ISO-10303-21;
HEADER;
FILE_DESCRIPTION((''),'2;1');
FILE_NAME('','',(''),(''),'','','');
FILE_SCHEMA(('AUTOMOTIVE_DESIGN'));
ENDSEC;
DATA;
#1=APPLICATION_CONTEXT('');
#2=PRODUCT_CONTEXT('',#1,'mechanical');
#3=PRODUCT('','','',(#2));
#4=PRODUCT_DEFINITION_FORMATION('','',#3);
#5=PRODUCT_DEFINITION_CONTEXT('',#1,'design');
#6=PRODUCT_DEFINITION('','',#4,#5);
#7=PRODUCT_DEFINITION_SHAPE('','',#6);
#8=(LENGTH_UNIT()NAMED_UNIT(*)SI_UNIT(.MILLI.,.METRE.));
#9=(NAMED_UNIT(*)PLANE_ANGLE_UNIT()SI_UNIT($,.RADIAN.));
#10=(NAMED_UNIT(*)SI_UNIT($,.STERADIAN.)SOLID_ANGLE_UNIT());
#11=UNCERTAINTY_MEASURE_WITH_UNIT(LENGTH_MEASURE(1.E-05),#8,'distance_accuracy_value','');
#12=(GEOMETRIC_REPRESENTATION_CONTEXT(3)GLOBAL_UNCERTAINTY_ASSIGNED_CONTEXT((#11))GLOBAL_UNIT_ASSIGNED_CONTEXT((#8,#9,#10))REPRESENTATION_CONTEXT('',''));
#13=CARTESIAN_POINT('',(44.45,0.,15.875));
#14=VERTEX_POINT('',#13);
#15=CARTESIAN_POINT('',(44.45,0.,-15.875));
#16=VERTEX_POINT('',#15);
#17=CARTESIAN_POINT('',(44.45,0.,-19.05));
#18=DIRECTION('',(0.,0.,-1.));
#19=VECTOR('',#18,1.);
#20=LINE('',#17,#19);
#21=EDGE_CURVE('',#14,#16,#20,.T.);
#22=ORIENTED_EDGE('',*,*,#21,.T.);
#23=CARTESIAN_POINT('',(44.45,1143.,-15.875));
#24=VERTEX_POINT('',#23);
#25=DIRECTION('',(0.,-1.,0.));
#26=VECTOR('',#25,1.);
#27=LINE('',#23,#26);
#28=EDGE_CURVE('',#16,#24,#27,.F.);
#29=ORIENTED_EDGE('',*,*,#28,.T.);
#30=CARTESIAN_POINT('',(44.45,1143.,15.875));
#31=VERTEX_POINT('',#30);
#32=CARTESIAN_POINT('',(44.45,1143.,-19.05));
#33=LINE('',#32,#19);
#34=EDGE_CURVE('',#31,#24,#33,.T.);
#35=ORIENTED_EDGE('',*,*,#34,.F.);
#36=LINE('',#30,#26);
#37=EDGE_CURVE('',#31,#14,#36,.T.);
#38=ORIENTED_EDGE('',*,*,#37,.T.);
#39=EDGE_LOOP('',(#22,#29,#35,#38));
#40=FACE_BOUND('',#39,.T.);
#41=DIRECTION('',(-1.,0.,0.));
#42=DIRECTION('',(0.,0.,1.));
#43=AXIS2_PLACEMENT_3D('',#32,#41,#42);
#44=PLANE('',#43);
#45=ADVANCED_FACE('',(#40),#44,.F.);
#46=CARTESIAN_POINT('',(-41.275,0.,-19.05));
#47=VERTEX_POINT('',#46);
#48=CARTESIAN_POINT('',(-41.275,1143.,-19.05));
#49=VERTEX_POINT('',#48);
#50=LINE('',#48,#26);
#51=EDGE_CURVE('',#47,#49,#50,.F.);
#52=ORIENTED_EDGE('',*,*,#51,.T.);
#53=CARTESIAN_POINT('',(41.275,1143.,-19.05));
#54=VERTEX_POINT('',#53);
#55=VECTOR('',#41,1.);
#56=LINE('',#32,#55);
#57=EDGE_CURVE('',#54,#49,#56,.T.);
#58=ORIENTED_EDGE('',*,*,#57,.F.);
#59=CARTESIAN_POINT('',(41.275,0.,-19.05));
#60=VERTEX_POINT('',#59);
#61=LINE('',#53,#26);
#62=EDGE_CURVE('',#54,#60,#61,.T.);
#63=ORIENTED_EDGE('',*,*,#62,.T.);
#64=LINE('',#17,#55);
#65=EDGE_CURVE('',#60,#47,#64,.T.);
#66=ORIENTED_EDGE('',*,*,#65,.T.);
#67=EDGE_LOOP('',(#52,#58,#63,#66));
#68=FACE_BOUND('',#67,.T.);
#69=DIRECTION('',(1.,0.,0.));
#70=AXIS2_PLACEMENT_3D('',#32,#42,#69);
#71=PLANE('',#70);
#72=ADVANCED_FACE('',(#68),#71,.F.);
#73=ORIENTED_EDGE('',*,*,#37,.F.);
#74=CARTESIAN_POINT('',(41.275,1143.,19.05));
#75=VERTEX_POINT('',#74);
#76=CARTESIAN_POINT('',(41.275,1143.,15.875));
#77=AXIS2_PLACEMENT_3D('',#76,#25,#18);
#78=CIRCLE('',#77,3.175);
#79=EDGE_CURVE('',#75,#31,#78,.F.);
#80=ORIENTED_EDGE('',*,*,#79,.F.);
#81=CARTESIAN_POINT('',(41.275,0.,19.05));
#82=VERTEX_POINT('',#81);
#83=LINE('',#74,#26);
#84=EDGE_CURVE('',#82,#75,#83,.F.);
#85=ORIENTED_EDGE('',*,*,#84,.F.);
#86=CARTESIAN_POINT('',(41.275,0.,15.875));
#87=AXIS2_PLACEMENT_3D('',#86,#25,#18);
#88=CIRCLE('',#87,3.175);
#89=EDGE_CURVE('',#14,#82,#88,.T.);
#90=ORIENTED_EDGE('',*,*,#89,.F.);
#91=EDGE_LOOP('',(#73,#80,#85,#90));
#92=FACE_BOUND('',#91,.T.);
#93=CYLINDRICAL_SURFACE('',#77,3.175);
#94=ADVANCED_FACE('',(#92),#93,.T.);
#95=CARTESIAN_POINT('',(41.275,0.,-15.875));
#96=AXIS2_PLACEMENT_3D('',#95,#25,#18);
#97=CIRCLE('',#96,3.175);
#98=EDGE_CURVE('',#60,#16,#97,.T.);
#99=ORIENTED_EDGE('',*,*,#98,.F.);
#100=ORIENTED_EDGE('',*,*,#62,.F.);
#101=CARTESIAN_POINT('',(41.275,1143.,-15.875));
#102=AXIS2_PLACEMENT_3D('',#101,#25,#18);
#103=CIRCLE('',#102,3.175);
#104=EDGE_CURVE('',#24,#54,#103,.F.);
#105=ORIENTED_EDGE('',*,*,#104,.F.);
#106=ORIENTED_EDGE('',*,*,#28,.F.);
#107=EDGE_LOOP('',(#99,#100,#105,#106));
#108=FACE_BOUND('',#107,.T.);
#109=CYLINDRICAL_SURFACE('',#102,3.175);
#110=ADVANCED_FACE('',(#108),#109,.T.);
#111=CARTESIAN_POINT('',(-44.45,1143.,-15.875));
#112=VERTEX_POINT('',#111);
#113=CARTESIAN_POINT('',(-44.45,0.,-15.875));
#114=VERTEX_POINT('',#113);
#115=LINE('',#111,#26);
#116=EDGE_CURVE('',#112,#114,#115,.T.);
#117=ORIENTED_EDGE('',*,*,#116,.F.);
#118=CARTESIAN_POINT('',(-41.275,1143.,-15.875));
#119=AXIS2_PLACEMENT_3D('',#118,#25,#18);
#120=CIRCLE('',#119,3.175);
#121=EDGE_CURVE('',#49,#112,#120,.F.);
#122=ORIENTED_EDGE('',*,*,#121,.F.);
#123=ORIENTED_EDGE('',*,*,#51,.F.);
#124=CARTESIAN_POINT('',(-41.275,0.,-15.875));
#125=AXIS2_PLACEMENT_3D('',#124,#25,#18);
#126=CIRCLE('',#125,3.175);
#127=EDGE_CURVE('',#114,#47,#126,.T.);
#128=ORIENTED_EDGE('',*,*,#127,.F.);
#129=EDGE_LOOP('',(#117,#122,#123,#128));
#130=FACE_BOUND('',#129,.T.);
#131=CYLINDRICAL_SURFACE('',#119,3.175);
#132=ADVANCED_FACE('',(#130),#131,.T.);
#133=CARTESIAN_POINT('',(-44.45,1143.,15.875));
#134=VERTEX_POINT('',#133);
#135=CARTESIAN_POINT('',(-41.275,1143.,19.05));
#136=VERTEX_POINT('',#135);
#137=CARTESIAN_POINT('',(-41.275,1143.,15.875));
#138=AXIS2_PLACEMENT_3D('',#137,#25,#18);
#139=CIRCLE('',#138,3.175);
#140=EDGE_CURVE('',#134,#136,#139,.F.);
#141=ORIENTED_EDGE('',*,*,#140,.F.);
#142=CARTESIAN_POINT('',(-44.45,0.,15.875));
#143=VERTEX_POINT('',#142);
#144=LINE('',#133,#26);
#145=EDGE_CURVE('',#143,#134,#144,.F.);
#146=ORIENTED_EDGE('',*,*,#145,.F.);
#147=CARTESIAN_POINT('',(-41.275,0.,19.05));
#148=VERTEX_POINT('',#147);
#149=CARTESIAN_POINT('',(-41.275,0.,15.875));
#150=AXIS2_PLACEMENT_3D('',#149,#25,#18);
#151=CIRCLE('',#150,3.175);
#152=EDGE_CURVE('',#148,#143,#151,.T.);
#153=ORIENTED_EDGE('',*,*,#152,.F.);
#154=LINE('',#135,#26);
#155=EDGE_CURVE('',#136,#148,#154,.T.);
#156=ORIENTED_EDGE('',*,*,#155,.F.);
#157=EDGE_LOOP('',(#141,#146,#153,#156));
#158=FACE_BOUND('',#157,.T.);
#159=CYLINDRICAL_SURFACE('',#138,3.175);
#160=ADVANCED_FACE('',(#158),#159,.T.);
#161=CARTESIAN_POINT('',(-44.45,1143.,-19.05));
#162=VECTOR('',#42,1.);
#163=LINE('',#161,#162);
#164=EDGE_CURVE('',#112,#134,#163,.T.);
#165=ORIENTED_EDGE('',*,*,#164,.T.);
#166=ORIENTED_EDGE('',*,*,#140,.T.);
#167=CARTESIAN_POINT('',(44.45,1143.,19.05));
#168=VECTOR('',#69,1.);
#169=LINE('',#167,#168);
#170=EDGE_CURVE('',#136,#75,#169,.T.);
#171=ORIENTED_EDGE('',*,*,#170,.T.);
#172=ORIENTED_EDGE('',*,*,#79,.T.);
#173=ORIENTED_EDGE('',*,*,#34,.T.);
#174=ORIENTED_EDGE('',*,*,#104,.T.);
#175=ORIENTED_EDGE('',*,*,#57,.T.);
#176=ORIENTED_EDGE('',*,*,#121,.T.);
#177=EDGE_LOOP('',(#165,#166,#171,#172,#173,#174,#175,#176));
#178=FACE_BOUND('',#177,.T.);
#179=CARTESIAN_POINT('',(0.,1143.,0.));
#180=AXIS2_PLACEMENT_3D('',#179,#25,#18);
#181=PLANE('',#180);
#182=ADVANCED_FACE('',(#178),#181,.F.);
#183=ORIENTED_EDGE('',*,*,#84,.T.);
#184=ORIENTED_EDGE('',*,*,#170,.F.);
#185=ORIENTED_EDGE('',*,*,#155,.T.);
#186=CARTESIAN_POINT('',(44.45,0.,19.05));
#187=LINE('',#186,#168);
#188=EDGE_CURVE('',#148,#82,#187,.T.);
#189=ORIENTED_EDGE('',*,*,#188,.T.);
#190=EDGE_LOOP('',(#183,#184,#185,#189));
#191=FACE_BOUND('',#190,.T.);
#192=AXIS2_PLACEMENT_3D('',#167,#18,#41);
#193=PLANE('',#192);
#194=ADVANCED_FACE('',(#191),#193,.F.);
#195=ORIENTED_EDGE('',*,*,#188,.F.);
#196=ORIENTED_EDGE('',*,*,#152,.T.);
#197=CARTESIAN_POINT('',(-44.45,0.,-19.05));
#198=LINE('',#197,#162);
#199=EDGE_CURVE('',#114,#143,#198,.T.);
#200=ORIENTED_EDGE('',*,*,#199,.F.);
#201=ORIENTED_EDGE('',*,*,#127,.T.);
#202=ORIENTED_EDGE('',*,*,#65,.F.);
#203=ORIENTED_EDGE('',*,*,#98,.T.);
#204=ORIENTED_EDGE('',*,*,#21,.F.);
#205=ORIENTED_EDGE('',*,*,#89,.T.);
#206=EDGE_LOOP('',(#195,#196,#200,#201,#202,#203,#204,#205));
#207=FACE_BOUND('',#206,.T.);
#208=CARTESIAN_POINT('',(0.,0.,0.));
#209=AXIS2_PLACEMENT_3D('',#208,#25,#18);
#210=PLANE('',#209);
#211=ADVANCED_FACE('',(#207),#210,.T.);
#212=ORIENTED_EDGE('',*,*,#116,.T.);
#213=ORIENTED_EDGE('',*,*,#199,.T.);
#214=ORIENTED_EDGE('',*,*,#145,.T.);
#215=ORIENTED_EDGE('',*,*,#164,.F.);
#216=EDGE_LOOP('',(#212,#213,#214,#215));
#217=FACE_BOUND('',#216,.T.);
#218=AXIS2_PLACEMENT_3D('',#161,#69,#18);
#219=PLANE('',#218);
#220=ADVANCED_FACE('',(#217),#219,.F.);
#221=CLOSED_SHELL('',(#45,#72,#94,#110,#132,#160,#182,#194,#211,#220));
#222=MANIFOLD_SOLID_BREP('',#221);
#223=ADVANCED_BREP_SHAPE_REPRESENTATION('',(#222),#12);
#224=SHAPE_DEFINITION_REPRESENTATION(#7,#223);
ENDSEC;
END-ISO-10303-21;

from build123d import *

# Parameters (mm, degrees)
SKETCH1_W           = 88.9
SKETCH1_H           = 38.1
BOSS_EXTRUDE1_DEPTH = 1143
FILLET1_R           = 3.175


with BuildPart() as part:
    # Sketch1 → Boss-Extrude1 (new body)
    with BuildSketch(Plane(origin=(0, 0, 0), x_dir=(1, 0, 0), z_dir=(0, 1, 0))):
        Rectangle(SKETCH1_W, SKETCH1_H)
    extrude(amount=BOSS_EXTRUDE1_DEPTH)

    # Fillet1
    fillet1_edges = [part.edges().sort_by_distance(p)[0] for p in [
        (-44.45, 571.5, -19.05),
        (44.45, 571.5, -19.05),
        (44.45, 571.5, 19.05),
        (-44.45, 571.5, 19.05),
    ]]
    fillet(fillet1_edges, radius=FILLET1_R)


solid = part.part
